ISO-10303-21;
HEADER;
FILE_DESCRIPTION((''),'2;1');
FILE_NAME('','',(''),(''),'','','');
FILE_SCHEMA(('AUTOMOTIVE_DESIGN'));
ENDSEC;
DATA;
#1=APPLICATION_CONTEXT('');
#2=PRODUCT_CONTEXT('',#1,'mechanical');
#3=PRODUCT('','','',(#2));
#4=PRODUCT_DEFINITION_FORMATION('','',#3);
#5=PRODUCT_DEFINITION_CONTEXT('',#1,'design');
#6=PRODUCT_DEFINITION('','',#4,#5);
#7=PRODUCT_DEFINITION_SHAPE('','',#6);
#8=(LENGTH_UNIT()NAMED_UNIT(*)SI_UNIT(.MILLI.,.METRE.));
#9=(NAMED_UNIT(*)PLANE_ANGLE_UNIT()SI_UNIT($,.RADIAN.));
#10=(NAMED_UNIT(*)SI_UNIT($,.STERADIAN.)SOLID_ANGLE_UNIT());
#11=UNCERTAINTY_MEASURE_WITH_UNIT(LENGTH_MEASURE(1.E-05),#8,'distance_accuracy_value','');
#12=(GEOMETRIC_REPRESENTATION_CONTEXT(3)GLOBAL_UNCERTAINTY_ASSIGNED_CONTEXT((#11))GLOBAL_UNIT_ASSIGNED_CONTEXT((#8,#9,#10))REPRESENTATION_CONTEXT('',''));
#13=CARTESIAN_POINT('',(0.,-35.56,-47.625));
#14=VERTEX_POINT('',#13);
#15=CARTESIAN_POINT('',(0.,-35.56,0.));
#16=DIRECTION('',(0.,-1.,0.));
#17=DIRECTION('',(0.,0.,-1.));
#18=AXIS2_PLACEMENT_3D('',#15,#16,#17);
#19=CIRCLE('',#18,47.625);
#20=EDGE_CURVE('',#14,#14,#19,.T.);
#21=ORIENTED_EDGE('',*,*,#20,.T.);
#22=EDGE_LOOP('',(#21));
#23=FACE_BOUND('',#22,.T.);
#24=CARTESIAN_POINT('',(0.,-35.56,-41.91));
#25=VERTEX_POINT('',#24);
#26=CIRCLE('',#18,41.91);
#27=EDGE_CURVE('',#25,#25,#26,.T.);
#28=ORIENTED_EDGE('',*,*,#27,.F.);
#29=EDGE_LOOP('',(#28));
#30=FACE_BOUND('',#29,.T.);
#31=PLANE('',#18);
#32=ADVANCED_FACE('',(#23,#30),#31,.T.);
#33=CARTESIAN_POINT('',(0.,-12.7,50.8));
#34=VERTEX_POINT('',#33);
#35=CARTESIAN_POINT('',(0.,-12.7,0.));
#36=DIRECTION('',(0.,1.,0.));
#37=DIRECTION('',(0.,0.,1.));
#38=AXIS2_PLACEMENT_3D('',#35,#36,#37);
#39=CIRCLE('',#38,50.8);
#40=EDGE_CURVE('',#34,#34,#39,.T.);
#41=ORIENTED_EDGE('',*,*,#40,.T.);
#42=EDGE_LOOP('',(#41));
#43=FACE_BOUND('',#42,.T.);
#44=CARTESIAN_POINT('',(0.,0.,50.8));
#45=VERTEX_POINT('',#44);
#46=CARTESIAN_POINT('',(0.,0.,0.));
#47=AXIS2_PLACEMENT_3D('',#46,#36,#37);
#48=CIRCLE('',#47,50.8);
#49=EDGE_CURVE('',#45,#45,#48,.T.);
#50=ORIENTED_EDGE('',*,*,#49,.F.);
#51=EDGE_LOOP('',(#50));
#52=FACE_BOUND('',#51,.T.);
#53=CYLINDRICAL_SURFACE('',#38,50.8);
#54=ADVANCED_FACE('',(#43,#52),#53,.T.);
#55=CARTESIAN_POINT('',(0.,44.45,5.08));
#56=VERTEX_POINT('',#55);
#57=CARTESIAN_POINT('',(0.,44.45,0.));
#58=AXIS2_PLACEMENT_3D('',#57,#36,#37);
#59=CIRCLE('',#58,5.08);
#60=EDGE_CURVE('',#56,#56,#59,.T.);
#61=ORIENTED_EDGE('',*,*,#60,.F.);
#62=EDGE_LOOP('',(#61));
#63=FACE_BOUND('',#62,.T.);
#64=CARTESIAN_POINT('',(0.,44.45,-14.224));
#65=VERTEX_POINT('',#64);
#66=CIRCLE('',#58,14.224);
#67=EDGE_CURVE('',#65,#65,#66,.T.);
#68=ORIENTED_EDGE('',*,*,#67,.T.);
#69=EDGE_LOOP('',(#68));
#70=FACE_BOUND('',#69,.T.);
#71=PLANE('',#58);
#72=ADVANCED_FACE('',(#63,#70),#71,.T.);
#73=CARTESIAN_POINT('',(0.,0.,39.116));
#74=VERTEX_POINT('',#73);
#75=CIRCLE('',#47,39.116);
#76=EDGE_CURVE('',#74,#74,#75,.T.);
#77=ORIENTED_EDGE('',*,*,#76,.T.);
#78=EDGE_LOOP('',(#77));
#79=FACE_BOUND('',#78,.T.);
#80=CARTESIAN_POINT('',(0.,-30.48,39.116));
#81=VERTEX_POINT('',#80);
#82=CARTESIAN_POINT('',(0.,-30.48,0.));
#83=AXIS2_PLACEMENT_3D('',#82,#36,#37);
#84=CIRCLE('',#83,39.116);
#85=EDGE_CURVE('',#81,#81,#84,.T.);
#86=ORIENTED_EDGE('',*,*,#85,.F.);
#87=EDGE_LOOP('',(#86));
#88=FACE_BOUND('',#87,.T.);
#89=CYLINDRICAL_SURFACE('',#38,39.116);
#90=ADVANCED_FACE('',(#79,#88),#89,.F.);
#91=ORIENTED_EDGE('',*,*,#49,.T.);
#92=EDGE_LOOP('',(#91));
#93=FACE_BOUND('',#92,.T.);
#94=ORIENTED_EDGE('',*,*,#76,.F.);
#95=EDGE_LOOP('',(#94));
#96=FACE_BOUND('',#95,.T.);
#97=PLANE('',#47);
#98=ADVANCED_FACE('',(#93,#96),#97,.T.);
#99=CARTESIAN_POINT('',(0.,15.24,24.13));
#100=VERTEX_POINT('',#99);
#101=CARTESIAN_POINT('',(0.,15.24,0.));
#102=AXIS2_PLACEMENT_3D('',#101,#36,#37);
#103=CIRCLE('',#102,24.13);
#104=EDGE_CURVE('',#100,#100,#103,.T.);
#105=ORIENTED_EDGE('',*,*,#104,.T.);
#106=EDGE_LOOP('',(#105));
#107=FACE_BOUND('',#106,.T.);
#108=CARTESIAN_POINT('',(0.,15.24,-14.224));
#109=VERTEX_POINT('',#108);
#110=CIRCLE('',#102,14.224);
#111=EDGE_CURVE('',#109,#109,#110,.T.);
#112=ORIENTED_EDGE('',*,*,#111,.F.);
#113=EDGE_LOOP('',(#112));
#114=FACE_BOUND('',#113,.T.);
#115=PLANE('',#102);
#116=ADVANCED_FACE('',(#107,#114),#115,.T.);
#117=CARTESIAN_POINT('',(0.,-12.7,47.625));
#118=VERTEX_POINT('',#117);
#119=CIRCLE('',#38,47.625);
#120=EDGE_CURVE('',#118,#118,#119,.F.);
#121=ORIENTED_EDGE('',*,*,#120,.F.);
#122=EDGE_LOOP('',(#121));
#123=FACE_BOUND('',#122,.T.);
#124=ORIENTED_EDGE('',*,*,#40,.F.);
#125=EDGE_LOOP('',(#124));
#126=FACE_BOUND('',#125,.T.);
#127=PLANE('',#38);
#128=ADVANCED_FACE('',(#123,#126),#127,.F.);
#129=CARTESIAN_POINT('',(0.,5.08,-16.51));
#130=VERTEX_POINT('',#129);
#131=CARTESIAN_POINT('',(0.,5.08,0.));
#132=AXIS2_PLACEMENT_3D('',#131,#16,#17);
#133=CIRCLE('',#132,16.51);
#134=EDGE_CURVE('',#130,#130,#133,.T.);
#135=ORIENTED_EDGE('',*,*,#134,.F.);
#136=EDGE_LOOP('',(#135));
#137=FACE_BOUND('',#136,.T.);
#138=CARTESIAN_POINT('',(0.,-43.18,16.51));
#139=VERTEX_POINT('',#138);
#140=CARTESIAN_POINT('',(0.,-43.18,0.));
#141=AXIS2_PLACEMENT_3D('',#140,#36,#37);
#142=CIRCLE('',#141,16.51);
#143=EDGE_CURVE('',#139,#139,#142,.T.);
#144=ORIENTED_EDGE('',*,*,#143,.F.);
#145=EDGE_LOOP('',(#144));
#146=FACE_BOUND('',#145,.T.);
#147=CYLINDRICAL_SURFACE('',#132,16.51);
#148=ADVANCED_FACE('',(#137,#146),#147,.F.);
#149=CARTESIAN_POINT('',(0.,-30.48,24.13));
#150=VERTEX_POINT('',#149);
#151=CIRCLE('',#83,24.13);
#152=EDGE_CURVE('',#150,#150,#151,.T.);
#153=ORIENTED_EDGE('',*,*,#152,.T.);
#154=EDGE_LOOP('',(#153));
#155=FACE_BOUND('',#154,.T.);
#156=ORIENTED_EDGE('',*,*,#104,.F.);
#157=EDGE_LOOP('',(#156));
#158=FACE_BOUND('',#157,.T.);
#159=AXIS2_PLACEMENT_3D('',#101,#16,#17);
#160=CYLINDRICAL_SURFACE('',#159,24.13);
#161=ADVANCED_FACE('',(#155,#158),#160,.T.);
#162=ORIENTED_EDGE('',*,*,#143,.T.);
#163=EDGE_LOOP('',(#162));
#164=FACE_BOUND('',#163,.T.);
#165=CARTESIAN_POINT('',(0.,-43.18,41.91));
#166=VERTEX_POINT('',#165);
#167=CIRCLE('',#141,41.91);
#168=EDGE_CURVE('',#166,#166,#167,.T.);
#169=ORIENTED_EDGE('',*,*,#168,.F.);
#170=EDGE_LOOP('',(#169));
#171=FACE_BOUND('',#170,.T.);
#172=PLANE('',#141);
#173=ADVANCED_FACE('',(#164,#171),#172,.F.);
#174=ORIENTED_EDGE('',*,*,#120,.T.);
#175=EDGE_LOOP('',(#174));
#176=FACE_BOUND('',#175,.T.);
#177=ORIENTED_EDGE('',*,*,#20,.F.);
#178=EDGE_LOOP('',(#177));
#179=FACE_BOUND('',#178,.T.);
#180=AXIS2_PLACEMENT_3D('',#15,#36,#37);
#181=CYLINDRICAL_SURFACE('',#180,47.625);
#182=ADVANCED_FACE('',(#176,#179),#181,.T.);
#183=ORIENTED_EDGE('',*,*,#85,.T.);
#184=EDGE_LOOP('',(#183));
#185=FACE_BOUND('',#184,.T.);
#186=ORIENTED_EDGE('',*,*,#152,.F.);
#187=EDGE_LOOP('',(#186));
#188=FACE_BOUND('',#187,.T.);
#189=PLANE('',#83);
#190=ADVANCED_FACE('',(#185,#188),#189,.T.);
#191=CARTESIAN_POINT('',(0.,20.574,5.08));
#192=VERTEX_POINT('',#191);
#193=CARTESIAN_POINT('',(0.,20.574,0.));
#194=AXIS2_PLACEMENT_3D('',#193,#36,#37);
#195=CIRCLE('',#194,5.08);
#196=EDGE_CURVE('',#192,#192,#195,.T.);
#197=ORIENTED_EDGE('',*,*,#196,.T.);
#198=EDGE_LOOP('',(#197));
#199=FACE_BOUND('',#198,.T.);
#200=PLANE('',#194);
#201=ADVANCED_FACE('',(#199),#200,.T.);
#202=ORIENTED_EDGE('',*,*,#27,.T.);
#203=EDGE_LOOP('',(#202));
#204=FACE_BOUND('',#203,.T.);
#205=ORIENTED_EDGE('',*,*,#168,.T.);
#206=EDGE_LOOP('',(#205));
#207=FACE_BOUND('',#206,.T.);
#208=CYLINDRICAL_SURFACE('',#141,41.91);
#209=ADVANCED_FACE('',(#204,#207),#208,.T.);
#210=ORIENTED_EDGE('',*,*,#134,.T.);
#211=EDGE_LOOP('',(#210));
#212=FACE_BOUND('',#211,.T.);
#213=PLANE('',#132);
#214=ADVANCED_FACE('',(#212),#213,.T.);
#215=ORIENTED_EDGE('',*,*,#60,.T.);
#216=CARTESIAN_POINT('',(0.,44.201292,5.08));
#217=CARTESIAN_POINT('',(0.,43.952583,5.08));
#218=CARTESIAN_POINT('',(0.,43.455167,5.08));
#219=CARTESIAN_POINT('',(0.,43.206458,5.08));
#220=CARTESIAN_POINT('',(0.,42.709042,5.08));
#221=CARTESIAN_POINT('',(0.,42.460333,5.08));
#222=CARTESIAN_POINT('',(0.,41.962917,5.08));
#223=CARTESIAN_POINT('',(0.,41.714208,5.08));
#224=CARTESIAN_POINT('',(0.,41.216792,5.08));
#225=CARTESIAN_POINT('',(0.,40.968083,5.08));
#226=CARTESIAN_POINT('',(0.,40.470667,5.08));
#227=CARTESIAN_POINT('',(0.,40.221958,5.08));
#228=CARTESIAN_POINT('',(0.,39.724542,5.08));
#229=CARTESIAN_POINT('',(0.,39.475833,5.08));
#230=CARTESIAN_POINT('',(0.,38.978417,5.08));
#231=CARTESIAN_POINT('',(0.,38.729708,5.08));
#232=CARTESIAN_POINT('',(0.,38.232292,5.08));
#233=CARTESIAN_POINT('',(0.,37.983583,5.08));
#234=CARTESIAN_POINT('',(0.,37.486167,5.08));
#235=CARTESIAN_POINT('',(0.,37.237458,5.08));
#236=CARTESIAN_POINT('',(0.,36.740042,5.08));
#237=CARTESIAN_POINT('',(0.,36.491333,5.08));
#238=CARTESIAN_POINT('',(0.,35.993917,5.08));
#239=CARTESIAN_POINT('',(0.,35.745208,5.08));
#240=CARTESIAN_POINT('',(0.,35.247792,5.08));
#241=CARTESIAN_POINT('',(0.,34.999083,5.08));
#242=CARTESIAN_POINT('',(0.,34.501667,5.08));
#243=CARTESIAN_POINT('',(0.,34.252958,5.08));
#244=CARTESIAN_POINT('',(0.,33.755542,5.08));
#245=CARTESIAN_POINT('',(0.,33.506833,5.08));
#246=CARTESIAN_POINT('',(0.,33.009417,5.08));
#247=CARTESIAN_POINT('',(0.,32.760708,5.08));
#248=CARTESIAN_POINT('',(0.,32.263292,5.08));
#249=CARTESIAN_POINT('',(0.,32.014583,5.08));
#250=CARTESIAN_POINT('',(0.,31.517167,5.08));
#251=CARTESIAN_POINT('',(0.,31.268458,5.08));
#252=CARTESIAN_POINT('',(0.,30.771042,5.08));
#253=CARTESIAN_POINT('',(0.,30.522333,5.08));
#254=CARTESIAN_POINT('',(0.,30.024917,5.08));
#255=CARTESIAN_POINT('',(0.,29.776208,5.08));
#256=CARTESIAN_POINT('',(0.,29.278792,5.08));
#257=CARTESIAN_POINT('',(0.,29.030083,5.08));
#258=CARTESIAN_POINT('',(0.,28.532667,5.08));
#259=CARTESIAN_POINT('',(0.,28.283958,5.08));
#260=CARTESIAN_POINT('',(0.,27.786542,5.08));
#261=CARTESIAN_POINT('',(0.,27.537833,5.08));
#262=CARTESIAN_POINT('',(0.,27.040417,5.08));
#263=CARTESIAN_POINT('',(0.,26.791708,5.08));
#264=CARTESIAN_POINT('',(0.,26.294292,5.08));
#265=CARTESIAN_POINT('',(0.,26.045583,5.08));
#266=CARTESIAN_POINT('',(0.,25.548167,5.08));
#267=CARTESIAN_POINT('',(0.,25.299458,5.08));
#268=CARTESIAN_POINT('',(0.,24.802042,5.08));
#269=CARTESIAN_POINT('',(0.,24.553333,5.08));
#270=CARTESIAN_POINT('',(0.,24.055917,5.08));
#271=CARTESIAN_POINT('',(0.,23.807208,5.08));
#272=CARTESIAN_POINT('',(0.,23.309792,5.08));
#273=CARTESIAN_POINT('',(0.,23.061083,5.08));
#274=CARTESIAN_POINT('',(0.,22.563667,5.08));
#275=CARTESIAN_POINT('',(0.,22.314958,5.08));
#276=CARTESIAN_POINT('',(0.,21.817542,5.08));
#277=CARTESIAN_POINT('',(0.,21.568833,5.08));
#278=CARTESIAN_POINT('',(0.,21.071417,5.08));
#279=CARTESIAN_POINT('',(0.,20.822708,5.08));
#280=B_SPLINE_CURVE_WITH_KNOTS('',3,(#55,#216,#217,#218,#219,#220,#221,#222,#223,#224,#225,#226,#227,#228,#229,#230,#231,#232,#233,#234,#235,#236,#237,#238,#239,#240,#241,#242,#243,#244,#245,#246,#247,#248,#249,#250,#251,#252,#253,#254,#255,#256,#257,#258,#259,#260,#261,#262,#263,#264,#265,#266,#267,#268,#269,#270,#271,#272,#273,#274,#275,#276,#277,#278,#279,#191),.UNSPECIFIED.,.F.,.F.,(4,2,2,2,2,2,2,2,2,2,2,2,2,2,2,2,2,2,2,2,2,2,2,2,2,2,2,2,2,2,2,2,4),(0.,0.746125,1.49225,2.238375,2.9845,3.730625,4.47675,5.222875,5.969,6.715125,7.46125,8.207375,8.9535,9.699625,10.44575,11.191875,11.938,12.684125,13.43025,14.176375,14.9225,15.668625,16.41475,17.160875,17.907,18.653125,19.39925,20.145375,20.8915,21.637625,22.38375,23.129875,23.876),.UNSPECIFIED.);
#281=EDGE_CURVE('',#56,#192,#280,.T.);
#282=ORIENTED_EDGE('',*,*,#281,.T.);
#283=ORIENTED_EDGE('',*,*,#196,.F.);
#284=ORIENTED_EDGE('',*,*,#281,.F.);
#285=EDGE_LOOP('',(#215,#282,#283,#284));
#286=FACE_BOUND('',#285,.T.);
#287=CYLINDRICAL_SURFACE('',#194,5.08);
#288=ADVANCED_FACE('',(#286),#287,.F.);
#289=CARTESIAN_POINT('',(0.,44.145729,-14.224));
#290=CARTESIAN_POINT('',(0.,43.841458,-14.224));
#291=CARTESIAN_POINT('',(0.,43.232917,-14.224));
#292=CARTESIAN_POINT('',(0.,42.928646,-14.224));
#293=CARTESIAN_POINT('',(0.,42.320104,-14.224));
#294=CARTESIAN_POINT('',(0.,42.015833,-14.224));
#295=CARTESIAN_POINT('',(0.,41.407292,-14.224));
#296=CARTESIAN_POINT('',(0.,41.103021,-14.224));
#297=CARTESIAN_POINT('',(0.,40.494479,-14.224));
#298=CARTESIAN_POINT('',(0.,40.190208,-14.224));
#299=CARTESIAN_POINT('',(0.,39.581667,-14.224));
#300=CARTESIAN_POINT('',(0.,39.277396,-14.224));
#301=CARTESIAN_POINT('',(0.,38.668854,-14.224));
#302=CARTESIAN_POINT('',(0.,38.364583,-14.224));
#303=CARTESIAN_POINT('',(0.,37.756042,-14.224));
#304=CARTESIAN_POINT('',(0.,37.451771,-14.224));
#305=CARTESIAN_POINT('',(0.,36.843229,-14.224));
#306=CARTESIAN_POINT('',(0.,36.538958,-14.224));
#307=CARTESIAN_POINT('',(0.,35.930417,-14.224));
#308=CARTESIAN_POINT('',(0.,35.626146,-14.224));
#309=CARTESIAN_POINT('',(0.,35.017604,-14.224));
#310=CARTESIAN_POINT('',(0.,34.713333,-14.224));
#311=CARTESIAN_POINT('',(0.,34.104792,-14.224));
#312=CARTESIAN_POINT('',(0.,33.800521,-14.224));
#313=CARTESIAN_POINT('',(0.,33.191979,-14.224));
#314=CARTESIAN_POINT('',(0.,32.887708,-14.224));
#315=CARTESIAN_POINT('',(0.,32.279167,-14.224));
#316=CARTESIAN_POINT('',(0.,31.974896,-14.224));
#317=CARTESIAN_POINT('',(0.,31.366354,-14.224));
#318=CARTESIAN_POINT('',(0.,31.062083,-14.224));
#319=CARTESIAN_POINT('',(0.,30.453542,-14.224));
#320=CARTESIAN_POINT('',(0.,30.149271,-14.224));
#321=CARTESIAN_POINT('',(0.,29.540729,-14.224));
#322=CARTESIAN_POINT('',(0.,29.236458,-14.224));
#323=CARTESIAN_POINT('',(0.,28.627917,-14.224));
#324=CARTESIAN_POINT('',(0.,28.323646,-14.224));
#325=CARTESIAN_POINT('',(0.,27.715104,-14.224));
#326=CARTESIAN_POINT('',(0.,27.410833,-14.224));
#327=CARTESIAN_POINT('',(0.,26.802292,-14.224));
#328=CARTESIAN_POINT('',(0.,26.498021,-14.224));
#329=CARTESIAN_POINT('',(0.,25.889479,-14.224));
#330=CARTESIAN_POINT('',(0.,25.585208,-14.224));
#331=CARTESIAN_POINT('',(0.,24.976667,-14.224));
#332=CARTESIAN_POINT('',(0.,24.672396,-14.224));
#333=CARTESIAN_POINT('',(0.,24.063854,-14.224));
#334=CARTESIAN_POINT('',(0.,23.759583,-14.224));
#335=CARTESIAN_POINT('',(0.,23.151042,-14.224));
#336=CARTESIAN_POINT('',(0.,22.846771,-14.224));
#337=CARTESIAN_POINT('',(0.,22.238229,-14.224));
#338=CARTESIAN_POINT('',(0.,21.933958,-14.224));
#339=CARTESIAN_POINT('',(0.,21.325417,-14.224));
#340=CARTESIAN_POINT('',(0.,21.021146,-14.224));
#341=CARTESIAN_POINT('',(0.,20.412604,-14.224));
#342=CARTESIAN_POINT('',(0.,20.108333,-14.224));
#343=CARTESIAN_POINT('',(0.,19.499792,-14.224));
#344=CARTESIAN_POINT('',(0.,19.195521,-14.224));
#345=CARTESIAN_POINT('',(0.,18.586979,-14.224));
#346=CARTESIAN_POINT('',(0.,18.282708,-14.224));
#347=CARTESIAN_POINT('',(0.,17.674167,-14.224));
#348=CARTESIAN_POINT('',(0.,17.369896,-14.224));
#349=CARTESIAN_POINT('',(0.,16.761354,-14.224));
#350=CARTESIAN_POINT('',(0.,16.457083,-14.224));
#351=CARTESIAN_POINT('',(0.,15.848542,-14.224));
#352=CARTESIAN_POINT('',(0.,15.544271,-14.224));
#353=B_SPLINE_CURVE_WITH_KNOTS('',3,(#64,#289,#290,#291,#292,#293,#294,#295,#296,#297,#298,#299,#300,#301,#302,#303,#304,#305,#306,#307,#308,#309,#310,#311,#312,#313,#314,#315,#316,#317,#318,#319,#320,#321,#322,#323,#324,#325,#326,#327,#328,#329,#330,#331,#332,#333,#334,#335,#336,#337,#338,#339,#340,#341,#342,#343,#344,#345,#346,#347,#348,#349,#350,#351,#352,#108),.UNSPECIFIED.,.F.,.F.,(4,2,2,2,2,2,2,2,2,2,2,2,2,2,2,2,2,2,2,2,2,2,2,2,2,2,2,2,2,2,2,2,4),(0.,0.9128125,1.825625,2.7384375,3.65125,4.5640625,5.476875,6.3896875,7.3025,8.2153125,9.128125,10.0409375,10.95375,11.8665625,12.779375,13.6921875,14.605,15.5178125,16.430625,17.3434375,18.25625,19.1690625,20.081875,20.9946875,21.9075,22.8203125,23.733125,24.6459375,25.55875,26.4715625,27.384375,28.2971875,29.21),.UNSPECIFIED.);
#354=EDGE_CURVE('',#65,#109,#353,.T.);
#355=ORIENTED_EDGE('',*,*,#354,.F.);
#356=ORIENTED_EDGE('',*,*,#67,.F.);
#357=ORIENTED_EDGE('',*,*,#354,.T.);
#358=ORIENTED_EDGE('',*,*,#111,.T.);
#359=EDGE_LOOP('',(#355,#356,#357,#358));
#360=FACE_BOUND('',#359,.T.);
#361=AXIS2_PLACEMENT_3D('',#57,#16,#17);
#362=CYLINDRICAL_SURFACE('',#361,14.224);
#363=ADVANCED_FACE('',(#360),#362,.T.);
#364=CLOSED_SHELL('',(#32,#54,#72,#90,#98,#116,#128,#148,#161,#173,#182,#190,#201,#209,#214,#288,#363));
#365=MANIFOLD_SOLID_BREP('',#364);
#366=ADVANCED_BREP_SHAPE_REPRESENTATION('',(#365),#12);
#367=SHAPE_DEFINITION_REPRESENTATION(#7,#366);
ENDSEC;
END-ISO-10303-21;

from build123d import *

# Parameters (mm, degrees)
SKETCH1_R                = 50.8
SKETCH1_R_2              = 39.116
BOSS_EXTRUDE1_DEPTH      = 12.7
BOSS_EXTRUDE2_DEPTH      = 20.32
BOSS_EXTRUDE2_DEPTH_BACK = 2.54
SKETCH2_R                = 47.625
SKETCH2_R_2              = 39.116
BOSS_EXTRUDE3_DEPTH      = 7.62
BOSS_EXTRUDE3_DEPTH_BACK = 5.08
SKETCH4_R                = 41.91
BOSS_EXTRUDE4_START      = -2.54
SKETCH5_R                = 24.13
BOSS_EXTRUDE4_DEPTH      = 45.72
BOSS_EXTRUDE5_START      = -2.54
SKETCH6_R                = 14.224
BOSS_EXTRUDE5_DEPTH      = 29.21
SKETCH7_R                = 16.51
CUT_EXTRUDE1_DEPTH       = 50.8
SKETCH8_R                = 5.08
CUT_EXTRUDE2_DEPTH       = 26.416


with BuildPart() as part:
    # Sketch1 → Boss-Extrude1 (new body)
    with BuildSketch(Plane(origin=(0, 0, 0), x_dir=(1, 0, 0), z_dir=(0, 1, 0))):
        with Locations(Location((0, 0, 0), (0, 0, 270))):
            Circle(SKETCH1_R)
        with Locations(Location((0, 0, 0), (0, 0, 270))):
            Circle(SKETCH1_R_2, mode=Mode.SUBTRACT)
    extrude(amount=-BOSS_EXTRUDE1_DEPTH)



with BuildPart() as body_2:
    # Sketch2 → Boss-Extrude2 (new, two sides: drawn at the far end of the back side and taken through both)
    with BuildSketch(Plane(origin=(0, -15.24, 0), x_dir=(-1, 0, 0), z_dir=(0, -1, 0)).offset(-BOSS_EXTRUDE2_DEPTH_BACK)):
        with Locations(Location((0, 0, 0), (0, 0, 270))):
            Circle(SKETCH2_R)
        with Locations(Location((0, 0, 0), (0, 0, 270))):
            Circle(SKETCH2_R_2, mode=Mode.SUBTRACT)
    extrude(amount=BOSS_EXTRUDE2_DEPTH + BOSS_EXTRUDE2_DEPTH_BACK)

    # Sketch4 → Boss-Extrude3 (add, two sides: drawn at the far end of the back side and taken through both)
    with BuildSketch(Plane(origin=(0, -38.1, 0), x_dir=(1, 0, 0), z_dir=(0, 1, 0)).offset(-BOSS_EXTRUDE3_DEPTH_BACK)):
        with Locations(Location((0, 0, 0), (0, 0, 270))):
            Circle(SKETCH4_R)
    extrude(amount=BOSS_EXTRUDE3_DEPTH + BOSS_EXTRUDE3_DEPTH_BACK)


with BuildPart() as part_1:
    add(part.part)

    add(body_2.part)  # Boss-Extrude4 merges body 2
    # Sketch5 → Boss-Extrude4 (add)
    with BuildSketch(Plane(origin=(0, -27.94, 0), x_dir=(1, 0, 0), z_dir=(0, 1, 0)).offset(BOSS_EXTRUDE4_START)):
        with Locations(Location((0, 0, 0), (0, 0, 270))):
            Circle(SKETCH5_R)
    extrude(amount=BOSS_EXTRUDE4_DEPTH)

    # Sketch6 → Boss-Extrude5 (add)
    with BuildSketch(Plane(origin=(0, 17.78, 0), x_dir=(1, 0, 0), z_dir=(0, 1, 0)).offset(BOSS_EXTRUDE5_START)):
        with Locations(Location((0, 0, 0), (0, 0, 90))):
            Circle(SKETCH6_R)
    extrude(amount=BOSS_EXTRUDE5_DEPTH)

    # Sketch7 → Cut-Extrude1 (cut)
    with BuildSketch(Plane(origin=(0, -45.72, 0), x_dir=(-1, 0, 0), z_dir=(0, -1, 0))):
        with Locations(Location((0, 0, 0), (0, 0, 90))):
            Circle(SKETCH7_R)
    extrude(amount=-CUT_EXTRUDE1_DEPTH, mode=Mode.SUBTRACT)

    # Sketch8 → Cut-Extrude2 (cut)
    with BuildSketch(Plane(origin=(0, 46.99, 0), x_dir=(1, 0, 0), z_dir=(0, 1, 0))):
        with Locations(Location((0, 0, 0), (0, 0, 270))):
            Circle(SKETCH8_R)
    extrude(amount=-CUT_EXTRUDE2_DEPTH, mode=Mode.SUBTRACT)


solid = part_1.part
